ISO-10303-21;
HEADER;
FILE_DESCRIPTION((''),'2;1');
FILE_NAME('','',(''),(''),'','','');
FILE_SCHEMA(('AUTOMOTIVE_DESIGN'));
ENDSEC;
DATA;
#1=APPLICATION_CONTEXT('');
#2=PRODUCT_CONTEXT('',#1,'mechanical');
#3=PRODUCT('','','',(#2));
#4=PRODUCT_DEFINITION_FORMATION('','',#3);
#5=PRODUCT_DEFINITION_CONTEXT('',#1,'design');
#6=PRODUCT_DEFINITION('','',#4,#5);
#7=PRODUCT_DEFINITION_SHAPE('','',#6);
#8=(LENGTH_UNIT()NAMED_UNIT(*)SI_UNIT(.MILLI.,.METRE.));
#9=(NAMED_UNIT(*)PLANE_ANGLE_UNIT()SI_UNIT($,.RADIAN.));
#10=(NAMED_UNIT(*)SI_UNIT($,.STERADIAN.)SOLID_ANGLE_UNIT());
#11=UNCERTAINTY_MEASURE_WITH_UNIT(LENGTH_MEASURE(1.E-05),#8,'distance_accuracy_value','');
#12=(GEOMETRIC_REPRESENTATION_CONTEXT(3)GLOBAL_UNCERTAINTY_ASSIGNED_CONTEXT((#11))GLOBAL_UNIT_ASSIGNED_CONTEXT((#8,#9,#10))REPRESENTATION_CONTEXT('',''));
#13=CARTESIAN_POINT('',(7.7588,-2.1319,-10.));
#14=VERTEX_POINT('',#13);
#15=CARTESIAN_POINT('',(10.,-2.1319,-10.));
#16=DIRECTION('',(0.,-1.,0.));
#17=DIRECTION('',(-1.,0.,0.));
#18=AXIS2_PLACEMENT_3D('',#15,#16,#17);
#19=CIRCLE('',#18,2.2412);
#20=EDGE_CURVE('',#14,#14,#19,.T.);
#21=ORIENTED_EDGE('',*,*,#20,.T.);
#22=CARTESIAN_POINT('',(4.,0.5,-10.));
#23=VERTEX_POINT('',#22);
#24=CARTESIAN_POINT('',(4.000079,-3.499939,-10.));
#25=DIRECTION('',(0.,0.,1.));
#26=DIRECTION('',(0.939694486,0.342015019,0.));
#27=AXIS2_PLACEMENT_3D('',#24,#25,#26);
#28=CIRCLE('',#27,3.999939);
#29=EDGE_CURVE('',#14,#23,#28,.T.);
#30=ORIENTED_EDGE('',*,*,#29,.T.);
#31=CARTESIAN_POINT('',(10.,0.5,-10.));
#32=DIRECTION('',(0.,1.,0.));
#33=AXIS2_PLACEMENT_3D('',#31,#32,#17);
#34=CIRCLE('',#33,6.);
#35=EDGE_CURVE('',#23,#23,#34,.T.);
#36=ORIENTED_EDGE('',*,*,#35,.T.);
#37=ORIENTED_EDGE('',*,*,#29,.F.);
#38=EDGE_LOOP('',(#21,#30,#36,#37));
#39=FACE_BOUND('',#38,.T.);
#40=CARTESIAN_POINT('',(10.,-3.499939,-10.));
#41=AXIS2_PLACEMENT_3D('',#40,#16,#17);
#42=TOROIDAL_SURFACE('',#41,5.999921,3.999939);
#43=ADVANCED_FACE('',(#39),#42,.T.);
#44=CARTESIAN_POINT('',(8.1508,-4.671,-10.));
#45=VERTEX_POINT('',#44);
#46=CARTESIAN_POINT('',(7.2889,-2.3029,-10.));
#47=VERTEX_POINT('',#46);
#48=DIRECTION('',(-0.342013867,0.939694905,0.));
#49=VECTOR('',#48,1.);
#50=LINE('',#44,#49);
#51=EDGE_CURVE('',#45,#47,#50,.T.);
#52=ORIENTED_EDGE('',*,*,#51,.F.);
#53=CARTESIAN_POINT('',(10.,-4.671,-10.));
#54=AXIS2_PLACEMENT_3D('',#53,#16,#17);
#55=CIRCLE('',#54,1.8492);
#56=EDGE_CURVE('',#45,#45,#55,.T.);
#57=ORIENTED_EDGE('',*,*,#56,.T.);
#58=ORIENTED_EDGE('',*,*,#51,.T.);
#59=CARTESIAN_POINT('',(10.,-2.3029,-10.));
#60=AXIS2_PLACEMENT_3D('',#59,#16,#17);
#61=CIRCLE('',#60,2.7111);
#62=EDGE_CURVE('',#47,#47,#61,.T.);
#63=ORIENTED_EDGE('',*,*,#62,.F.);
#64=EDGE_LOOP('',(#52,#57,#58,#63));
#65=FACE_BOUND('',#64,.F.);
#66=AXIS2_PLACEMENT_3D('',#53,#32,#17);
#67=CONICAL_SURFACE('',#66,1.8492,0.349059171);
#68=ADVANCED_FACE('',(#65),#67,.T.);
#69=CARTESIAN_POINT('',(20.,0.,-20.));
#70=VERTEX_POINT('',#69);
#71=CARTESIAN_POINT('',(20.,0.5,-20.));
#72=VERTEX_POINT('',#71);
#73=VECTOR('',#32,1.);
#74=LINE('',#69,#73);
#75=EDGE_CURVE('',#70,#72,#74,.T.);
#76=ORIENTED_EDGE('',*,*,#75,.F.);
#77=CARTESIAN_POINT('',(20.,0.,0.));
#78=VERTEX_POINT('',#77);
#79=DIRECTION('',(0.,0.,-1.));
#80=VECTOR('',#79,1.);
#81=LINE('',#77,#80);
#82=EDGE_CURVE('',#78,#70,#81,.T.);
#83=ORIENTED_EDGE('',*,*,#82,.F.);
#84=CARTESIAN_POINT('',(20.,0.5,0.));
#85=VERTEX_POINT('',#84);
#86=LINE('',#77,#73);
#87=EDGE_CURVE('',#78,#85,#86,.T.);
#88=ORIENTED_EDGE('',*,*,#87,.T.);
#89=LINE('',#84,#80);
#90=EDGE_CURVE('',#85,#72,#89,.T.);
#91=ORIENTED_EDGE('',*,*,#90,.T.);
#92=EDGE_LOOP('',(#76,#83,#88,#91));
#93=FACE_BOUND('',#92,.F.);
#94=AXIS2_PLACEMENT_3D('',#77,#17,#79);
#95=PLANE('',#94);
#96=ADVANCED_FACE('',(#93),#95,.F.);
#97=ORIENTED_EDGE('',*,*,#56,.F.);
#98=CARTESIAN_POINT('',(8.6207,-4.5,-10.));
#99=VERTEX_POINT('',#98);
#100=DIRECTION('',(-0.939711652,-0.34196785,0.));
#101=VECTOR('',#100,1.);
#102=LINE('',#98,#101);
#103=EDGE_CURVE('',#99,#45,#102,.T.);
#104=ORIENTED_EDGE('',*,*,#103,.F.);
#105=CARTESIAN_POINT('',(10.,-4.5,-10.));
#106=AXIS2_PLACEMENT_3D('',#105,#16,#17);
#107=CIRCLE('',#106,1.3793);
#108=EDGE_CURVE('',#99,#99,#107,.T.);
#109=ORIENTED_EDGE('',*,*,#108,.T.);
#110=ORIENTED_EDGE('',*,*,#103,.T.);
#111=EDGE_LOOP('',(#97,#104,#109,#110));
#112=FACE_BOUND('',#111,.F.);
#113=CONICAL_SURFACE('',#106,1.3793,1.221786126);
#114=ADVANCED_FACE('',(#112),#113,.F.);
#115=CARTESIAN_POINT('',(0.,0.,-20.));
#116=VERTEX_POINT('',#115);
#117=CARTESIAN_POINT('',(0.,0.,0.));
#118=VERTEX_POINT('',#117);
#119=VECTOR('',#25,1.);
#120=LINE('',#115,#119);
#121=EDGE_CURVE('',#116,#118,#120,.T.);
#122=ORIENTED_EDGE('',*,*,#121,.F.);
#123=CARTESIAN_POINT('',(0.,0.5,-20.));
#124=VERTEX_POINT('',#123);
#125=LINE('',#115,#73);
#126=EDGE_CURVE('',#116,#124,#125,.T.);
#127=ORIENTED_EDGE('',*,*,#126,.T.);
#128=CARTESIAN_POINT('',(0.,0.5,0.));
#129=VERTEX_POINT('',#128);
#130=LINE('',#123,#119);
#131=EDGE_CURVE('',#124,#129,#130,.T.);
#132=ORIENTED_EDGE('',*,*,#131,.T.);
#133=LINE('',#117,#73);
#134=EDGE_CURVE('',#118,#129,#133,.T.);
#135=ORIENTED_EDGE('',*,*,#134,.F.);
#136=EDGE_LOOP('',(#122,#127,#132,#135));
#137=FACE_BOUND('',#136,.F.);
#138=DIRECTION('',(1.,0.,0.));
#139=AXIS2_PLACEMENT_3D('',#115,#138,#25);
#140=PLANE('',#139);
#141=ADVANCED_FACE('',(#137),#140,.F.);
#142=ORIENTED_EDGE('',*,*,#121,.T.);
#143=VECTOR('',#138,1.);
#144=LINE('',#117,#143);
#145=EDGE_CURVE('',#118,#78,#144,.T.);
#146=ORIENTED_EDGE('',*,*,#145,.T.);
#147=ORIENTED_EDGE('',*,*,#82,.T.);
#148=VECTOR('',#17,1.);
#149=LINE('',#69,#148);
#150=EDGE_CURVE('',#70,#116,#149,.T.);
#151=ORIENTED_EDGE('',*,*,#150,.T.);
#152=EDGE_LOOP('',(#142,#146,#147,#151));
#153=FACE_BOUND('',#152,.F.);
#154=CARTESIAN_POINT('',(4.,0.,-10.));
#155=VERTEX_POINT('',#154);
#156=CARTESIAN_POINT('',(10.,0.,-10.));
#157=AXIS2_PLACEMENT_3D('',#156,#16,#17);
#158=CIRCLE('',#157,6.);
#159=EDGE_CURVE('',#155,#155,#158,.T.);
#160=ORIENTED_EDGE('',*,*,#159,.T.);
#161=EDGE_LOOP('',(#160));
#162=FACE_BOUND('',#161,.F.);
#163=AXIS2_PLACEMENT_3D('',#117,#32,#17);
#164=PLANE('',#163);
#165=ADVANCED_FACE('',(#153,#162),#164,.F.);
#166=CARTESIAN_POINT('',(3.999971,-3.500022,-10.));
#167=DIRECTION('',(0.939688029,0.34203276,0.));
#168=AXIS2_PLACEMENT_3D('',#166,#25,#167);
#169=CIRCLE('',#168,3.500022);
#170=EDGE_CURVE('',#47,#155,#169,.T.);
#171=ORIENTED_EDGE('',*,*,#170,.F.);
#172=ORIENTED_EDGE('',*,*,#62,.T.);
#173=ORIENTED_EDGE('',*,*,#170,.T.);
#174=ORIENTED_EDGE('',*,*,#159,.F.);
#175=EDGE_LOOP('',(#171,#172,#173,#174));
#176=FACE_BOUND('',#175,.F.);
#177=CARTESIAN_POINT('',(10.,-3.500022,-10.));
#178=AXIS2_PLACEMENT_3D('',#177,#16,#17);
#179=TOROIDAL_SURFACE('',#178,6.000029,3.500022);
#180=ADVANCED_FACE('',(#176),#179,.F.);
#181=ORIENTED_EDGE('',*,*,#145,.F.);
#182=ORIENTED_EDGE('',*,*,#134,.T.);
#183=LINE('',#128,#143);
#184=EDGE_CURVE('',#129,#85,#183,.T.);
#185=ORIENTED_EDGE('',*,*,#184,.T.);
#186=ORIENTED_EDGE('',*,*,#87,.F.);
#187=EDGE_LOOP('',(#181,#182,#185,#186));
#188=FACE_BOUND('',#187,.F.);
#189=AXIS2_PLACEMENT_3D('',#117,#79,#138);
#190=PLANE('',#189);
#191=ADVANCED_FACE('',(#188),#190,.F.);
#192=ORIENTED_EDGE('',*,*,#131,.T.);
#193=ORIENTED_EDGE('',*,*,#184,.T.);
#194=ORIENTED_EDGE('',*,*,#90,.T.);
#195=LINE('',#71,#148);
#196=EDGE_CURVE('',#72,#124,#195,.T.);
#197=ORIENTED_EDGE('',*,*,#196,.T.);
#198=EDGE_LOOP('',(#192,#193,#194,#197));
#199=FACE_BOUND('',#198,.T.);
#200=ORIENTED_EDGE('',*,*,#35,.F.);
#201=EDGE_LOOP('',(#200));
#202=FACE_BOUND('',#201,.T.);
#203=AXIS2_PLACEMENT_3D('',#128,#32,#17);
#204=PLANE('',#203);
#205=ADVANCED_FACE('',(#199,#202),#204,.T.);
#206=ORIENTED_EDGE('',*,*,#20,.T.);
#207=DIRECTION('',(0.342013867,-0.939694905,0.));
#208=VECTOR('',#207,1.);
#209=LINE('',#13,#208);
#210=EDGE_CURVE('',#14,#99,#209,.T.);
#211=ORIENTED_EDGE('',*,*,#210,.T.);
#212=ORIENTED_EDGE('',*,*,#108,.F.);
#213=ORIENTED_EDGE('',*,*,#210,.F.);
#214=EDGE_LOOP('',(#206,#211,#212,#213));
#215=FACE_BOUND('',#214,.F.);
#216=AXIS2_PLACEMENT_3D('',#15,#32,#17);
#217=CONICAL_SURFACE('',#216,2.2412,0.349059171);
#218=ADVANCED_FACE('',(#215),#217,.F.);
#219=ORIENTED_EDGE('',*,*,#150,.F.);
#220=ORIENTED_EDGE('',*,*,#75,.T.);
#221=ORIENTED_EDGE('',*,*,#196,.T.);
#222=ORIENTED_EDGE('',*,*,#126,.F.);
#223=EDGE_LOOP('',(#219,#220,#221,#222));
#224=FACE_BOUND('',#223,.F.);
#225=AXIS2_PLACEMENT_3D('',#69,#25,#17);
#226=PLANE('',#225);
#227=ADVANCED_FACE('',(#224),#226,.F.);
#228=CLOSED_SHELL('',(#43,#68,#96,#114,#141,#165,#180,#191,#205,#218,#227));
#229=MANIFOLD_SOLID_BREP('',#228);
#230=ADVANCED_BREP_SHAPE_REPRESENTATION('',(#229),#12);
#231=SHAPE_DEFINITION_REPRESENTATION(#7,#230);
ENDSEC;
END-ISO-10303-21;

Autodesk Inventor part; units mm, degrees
ref_plane "YZ Plane" through (0, 0, 0) normal (1, 0, 0) x (0, 1, 0)
ref_plane "XZ Plane" through (0, 0, 0) normal (0, 1, 0) x (-1, 0, 0)
ref_plane "XY Plane" through (0, 0, 0) normal (0, 0, 1) x (1, 0, 0)
sketch "Sketch5" plane through (0, 0, 0) normal (0, 1, 0) x (-1, 0, 0)
  line L0 (0, 0) -> (-20, 0)
  line L1 (-20, 0) -> (-20, -20)
  line L2 (-20, -20) -> (0, -20)
  line L3 (0, -20) -> (0, 0)
  dimension "d13" = 20
extrude "Plate2" add sketch "Sketch5" along normal blind 0.5
sketch "Sketch6" plane through (0, 0.5, 0) normal (0, 1, 0) x (1, 0, 0)
  circle A0 centre (10, 10) radius 6
  line L0 (0, 20) -> (20, 20) construction
  line L1 (20, 20) -> (20, 0) construction
  line L2 (10, 10) -> (10, 4) construction
  point P0 (0, 0)
  dimension "d15" = 12
  dimension "d16" = 10
  dimension "d17" = 10
extrude "Extrusion2" cut sketch "Sketch6" against normal blind 0.5
ref_plane "Work Plane2" through (10, 0.5, -10) normal (0, 0, 1) x (1, 0, 0)
sketch "Sketch7" plane through (10, 0.5, -10) normal (0, 0, 1) x (1, 0, 0)
  line L0 (6, 0) -> (-6, 0) projected
  arc A0 (-2.2412, -2.6319) -> (-6, 0) centre (-6, -4) ccw
  line L1 (0, 0) -> (0, -5) construction
  line L2 (-2.2412, -2.6319) -> (-1.3793, -5)
  line L3 (-1.3793, -5) -> (-1.8492, -5.171)
  line L4 (-1.8492, -5.171) -> (-2.7111, -2.8029)
  line L5 (-6, 0) -> (-6, -0.5)
  arc A1 (-2.7111, -2.8029) -> (-6, -0.5) centre (-6, -4) ccw
  point P0 (-10, -0.5)
  dimension "d20" = 5
  dimension "d21" = 20
  dimension "d22" = 4
  dimension "d23" = 0.5
revolve "Revolution2" add sketch "Sketch7" angle 360 about axis through (10, 0.5, -10) along (0, -1, 0)
equation "\"d18\" = Thickness"
equation "\"d23\" = Thickness"
equation "\"d14\" = Thickness"
equation "\"BendRadius\" = Thickness"
equation "\"BendReliefWidth\" = Thickness"
equation "\"BendReliefDepth\" = 0.5 * Thickness"
equation "\"CornerReliefSize\" = 4 * Thickness"
equation "\"MinimumRemnant\" = 2 * Thickness"
equation "\"TransitionRadius\" = BendRadius"
equation "\"JacobiRadiusSize\" = BendRadius"
equation "\"GapSize\" = Thickness"
equation "\"Thickness\" = 0.5"
properties part number "CE-4.1.1"
